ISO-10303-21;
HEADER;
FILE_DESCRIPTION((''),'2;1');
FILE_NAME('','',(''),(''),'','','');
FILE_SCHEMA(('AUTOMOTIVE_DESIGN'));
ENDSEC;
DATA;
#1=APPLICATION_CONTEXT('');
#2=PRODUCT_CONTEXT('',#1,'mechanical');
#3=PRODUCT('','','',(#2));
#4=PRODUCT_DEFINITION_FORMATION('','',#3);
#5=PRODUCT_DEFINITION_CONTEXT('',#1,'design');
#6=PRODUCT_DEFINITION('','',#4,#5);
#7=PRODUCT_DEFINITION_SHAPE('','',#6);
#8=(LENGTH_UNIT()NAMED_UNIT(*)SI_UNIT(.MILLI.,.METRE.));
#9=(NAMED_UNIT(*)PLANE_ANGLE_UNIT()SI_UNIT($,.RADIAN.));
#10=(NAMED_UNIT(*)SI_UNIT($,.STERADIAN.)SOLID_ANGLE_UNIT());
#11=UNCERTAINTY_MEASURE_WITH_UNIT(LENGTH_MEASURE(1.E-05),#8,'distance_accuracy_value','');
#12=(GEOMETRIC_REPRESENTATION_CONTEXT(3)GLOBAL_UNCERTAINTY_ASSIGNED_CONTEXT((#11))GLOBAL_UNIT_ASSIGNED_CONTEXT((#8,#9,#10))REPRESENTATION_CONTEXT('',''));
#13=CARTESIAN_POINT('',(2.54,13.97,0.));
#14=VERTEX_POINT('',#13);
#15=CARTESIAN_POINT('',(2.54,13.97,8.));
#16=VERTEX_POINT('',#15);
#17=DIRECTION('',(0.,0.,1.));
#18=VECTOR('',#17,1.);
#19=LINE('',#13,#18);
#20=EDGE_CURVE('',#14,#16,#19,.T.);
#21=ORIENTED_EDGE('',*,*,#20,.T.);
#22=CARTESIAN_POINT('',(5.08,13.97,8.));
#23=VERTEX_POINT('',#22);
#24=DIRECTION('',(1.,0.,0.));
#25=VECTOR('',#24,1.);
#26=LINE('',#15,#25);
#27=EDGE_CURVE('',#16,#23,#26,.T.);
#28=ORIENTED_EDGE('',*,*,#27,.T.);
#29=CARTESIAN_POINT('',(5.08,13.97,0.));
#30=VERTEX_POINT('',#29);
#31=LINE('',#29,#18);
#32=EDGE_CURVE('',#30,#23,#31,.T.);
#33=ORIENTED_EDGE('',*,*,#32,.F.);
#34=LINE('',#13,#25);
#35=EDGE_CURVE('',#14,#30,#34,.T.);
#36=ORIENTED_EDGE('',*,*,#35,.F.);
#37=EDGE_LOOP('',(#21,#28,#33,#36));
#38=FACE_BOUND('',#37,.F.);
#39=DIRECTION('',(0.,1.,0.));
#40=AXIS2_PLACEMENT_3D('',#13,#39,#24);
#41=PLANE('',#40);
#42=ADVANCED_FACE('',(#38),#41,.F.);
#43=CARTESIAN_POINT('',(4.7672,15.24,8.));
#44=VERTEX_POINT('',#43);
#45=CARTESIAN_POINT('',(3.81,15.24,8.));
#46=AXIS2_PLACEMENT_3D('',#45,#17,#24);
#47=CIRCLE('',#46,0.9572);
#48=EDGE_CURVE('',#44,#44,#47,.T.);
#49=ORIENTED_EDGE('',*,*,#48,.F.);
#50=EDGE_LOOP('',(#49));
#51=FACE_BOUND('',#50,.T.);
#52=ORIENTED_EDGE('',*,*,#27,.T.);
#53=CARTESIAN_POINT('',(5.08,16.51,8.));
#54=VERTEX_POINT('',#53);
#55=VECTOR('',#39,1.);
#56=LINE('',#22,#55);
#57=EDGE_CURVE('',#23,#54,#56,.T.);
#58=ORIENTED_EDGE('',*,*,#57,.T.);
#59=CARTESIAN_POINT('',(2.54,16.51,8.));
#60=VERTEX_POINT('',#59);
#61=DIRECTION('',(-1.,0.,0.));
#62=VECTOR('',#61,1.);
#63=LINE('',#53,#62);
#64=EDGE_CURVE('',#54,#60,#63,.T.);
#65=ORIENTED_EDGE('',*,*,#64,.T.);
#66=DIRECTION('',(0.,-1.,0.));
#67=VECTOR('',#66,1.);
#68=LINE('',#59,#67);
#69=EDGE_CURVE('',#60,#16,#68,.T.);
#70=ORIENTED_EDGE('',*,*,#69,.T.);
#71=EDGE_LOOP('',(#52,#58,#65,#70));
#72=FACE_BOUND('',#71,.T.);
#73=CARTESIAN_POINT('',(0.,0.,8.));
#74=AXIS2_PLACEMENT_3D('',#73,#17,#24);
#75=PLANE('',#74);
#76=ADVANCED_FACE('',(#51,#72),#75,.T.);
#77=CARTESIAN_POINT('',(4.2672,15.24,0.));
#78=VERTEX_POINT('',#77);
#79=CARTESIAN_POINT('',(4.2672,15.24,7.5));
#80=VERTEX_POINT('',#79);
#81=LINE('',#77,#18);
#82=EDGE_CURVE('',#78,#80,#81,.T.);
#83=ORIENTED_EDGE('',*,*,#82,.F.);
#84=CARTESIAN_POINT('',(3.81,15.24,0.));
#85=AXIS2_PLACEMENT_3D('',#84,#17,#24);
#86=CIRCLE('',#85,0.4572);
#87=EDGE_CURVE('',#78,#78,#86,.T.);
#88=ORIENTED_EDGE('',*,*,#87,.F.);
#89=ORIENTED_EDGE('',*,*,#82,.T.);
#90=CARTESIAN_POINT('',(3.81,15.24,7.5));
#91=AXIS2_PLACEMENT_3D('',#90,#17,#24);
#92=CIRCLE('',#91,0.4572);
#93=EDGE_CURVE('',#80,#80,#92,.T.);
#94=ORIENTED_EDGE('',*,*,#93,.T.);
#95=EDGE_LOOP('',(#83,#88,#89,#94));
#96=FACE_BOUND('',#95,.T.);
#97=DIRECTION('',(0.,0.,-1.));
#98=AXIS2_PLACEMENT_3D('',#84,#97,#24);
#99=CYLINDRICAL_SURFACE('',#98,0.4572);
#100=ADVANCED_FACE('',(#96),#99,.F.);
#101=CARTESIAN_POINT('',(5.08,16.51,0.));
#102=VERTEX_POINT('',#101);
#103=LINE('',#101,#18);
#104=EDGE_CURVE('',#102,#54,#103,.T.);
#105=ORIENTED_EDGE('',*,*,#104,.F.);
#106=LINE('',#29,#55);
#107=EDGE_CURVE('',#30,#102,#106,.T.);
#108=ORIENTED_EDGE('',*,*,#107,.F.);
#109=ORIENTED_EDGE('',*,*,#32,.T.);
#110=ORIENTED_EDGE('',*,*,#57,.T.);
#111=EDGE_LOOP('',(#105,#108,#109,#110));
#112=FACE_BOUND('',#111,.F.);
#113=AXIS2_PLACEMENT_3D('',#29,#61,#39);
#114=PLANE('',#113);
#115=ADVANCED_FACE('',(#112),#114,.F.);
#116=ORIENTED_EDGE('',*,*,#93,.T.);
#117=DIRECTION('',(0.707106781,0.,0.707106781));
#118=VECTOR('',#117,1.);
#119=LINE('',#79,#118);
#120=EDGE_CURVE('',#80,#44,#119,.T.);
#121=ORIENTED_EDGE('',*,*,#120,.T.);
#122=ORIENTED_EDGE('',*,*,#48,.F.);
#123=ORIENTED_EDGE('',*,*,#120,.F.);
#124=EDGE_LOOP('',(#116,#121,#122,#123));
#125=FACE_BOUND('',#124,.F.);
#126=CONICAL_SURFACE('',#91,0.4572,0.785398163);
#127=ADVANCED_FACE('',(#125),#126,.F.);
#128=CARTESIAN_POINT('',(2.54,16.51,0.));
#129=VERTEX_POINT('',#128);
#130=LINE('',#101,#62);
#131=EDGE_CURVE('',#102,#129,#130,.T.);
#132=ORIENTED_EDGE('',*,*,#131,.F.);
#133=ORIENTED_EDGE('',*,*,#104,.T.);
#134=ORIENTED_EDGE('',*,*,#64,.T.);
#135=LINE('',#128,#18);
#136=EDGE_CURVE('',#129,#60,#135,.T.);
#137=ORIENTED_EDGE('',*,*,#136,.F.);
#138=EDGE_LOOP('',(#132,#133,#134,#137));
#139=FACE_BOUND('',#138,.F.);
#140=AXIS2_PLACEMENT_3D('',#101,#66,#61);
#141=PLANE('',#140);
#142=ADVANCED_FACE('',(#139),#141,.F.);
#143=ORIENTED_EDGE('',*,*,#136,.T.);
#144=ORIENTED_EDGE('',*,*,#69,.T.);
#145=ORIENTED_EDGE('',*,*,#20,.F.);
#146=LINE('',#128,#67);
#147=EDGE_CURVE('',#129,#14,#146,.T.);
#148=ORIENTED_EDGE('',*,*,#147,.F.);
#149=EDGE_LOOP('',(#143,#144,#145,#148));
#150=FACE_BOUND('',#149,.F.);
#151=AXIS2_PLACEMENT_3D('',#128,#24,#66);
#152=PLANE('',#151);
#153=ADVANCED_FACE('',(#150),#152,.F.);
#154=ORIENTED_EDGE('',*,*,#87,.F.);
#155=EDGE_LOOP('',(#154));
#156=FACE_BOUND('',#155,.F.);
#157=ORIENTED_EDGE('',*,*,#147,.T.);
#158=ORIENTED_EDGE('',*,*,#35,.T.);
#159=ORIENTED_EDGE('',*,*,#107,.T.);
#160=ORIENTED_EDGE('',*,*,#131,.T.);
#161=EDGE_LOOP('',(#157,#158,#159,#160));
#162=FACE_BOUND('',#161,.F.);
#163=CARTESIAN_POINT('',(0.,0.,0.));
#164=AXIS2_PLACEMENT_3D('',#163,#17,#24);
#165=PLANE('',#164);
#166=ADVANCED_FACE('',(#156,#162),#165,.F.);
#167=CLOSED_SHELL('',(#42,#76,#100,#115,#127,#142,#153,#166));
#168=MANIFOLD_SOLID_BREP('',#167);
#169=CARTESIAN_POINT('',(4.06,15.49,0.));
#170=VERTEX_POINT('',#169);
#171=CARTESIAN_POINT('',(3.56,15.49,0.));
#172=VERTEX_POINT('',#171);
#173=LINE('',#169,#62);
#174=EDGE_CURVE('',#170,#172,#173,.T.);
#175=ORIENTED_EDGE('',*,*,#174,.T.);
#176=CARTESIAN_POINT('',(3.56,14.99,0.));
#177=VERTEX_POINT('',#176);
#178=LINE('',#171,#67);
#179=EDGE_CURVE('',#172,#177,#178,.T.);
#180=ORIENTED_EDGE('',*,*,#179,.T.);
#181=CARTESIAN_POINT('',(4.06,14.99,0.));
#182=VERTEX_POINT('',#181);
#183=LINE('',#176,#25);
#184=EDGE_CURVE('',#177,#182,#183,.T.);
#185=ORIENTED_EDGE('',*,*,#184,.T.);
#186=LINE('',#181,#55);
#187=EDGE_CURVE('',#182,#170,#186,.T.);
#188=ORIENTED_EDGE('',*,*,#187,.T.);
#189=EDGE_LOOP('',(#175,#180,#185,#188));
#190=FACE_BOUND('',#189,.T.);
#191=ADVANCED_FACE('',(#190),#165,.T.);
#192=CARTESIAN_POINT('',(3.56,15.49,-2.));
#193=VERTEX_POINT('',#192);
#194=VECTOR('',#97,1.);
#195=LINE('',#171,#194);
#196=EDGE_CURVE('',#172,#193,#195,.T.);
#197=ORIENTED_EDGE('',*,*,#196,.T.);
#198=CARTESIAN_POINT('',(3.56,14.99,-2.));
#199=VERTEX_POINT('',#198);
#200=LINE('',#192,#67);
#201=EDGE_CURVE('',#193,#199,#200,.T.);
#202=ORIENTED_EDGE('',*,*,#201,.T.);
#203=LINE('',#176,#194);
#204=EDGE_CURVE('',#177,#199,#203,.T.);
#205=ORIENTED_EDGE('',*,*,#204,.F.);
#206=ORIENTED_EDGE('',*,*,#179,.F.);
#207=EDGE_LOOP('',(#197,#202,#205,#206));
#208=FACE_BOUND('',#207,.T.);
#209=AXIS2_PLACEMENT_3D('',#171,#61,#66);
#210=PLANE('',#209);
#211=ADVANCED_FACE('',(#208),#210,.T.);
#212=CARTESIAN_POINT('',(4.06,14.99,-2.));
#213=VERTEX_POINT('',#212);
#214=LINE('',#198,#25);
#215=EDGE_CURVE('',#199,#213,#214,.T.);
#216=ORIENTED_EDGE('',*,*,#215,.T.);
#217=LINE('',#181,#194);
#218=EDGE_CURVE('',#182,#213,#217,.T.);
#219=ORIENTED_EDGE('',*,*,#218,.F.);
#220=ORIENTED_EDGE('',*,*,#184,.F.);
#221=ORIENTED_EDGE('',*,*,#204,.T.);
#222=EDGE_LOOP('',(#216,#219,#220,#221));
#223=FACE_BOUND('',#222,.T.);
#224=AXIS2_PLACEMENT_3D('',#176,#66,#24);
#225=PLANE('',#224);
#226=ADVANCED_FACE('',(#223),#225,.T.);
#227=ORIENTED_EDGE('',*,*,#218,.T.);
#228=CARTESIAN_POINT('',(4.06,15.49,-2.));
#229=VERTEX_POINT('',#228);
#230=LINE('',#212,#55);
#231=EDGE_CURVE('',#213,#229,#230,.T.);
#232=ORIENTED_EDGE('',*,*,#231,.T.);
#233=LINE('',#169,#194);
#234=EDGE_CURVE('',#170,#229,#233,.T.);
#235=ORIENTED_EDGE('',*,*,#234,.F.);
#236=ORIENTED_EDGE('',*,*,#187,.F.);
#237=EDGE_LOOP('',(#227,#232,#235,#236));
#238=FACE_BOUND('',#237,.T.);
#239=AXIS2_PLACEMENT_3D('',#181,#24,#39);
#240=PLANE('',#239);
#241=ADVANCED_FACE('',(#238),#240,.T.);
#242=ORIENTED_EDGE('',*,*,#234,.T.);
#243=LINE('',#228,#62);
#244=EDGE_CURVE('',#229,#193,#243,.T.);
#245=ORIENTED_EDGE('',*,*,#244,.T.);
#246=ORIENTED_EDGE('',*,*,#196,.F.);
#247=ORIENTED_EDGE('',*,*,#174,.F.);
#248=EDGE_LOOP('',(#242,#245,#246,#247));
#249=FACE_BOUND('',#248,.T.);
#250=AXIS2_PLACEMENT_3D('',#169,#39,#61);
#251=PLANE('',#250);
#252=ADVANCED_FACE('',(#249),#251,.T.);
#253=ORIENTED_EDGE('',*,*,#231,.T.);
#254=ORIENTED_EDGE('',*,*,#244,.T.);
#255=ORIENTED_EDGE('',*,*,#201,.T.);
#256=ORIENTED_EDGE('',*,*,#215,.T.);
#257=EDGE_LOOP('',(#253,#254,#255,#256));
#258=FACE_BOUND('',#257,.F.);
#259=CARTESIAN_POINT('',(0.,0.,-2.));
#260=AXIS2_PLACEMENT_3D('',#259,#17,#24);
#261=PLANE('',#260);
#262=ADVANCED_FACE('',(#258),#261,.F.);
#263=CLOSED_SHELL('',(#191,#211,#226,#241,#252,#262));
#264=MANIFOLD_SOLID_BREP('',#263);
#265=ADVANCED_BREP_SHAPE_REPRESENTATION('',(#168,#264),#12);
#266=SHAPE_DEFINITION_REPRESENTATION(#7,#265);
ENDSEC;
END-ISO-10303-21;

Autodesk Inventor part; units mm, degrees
ref_plane "YZ Plane" through (0, 0, 0) normal (1, 0, 0) x (0, 1, 0)
ref_plane "Work Plane1" through (0, 0, 0) normal (0, 0, 1) x (1, 0, 0)
sketch "Sketch1" plane through (0, 0, 0) normal (0, 0, 1) x (1, 0, 0)
  circle A0 centre (3.81, 15.24) radius 0.4572 projected
  line L0 (4.06, 15.49) -> (3.56, 15.49)
  line L1 (3.56, 15.49) -> (3.56, 14.99)
  line L2 (3.56, 14.99) -> (4.06, 14.99)
  line L3 (4.06, 14.99) -> (4.06, 15.49)
  line L4 (4.06, 15.49) -> (3.56, 14.99) construction
  line L5 (3.56, 15.49) -> (4.06, 14.99) construction
  point P0 (0, 0)
  dimension "d0" = 0.5
  dimension "d1" = 0.5
extrude "Extrusion1" add sketch "Sketch1" against normal blind 2 contours L3 L2 L1 L0
ref_plane "Work Plane2" through (0, 0, 0) normal (0, 0, 1) x (1, 0, 0)
sketch "Sketch2" plane through (0, 0, 0) normal (0, 0, 1) x (1, 0, 0)
  circle A0 centre (3.81, 15.24) radius 0.4572 projected
  line L0 (5.08, 16.51) -> (2.54, 16.51)
  line L1 (2.54, 16.51) -> (2.54, 13.97)
  line L2 (2.54, 13.97) -> (5.08, 13.97)
  line L3 (5.08, 13.97) -> (5.08, 16.51)
  line L4 (5.08, 16.51) -> (2.54, 13.97) construction
  line L5 (2.54, 16.51) -> (5.08, 13.97) construction
  point P0 (0, 0)
  dimension "d4" = 2.54
  dimension "d5" = 2.54
extrude "Extrusion2" add sketch "Sketch2" along normal blind 8 separate body
chamfer "Chamfer1" distance 0.5 angle 45 1 edges at (3.3528, 15.24, 8)
properties part number "pinheader_female"
